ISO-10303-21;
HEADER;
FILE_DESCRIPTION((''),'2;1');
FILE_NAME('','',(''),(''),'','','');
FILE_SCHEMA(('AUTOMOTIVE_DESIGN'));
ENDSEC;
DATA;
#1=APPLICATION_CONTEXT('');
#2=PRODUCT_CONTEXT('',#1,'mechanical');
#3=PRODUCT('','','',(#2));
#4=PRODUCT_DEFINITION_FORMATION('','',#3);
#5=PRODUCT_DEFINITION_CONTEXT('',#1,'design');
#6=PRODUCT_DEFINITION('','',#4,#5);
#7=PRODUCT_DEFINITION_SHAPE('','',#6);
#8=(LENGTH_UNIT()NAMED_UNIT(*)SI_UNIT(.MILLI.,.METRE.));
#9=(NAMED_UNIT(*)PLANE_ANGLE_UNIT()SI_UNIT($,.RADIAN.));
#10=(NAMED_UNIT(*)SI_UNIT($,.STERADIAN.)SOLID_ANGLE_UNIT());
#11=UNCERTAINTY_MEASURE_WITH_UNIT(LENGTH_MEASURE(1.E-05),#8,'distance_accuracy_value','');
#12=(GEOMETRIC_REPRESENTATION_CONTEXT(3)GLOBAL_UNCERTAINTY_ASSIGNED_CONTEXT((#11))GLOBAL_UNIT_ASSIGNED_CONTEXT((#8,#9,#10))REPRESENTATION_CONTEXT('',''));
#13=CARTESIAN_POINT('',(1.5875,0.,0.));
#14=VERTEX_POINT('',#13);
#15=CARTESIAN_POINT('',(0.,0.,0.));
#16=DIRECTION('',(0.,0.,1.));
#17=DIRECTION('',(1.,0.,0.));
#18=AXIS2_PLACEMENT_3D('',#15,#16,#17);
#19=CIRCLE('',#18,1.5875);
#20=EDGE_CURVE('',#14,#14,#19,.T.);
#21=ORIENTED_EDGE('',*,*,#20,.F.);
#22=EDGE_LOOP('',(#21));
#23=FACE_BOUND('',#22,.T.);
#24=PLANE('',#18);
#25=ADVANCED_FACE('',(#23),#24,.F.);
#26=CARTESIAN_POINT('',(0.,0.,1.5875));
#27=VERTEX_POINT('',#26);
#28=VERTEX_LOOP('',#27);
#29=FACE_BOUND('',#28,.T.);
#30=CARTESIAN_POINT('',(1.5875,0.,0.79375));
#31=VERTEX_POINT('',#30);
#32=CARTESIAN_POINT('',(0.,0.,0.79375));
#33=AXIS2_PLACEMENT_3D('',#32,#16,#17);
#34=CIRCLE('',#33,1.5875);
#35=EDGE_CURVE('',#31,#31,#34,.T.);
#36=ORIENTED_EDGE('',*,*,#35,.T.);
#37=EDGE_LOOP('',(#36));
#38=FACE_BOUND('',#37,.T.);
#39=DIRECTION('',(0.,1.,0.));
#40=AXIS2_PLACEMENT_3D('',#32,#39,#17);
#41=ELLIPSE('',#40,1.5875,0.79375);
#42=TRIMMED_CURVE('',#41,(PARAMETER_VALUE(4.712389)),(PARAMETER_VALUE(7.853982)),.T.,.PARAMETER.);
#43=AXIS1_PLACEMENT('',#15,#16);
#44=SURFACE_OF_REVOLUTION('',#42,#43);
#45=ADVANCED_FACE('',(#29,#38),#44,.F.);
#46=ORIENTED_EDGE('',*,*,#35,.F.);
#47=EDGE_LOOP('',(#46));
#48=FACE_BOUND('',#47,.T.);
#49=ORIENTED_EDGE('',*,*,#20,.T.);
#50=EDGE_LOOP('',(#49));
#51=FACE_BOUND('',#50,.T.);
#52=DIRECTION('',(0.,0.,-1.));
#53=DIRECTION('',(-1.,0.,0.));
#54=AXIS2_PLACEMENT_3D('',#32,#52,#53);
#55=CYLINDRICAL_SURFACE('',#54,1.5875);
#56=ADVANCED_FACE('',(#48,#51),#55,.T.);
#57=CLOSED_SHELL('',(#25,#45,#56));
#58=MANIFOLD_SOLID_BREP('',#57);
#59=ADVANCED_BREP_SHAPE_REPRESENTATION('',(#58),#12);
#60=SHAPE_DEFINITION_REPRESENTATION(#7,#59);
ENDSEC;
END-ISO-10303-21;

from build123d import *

# Parameters (mm, degrees)
SKETCH1_R           = 1.5875
BOSS_EXTRUDE1_DEPTH = 0.79375
DOME1_FACE_RADIUS   = 1.5875
DOME1_HEIGHT        = 0.79375


with BuildPart() as part:
    # Sketch1 → Boss-Extrude1 (new body)
    with BuildSketch(Plane.XY):
        Circle(SKETCH1_R)
    extrude(amount=BOSS_EXTRUDE1_DEPTH)

    # Dome1: an elliptical dome of height H over a round flat face of radius A is half a spheroid: the quarter ellipse of half axes A and H revolved about the face's axis
    with BuildSketch(Plane((0, 0, 0.79375), x_dir=(0, 1, 0), z_dir=(1, 0, 0)), mode=Mode.PRIVATE) as dome1_quarter:
        Ellipse(DOME1_FACE_RADIUS, DOME1_HEIGHT)
        Rectangle(DOME1_FACE_RADIUS, DOME1_HEIGHT, align=(Align.MIN, Align.MIN), mode=Mode.INTERSECT)
    revolve(dome1_quarter.sketch, axis=Axis((0, 0, 0.79375), (0, 0, 1)))


solid = part.part
